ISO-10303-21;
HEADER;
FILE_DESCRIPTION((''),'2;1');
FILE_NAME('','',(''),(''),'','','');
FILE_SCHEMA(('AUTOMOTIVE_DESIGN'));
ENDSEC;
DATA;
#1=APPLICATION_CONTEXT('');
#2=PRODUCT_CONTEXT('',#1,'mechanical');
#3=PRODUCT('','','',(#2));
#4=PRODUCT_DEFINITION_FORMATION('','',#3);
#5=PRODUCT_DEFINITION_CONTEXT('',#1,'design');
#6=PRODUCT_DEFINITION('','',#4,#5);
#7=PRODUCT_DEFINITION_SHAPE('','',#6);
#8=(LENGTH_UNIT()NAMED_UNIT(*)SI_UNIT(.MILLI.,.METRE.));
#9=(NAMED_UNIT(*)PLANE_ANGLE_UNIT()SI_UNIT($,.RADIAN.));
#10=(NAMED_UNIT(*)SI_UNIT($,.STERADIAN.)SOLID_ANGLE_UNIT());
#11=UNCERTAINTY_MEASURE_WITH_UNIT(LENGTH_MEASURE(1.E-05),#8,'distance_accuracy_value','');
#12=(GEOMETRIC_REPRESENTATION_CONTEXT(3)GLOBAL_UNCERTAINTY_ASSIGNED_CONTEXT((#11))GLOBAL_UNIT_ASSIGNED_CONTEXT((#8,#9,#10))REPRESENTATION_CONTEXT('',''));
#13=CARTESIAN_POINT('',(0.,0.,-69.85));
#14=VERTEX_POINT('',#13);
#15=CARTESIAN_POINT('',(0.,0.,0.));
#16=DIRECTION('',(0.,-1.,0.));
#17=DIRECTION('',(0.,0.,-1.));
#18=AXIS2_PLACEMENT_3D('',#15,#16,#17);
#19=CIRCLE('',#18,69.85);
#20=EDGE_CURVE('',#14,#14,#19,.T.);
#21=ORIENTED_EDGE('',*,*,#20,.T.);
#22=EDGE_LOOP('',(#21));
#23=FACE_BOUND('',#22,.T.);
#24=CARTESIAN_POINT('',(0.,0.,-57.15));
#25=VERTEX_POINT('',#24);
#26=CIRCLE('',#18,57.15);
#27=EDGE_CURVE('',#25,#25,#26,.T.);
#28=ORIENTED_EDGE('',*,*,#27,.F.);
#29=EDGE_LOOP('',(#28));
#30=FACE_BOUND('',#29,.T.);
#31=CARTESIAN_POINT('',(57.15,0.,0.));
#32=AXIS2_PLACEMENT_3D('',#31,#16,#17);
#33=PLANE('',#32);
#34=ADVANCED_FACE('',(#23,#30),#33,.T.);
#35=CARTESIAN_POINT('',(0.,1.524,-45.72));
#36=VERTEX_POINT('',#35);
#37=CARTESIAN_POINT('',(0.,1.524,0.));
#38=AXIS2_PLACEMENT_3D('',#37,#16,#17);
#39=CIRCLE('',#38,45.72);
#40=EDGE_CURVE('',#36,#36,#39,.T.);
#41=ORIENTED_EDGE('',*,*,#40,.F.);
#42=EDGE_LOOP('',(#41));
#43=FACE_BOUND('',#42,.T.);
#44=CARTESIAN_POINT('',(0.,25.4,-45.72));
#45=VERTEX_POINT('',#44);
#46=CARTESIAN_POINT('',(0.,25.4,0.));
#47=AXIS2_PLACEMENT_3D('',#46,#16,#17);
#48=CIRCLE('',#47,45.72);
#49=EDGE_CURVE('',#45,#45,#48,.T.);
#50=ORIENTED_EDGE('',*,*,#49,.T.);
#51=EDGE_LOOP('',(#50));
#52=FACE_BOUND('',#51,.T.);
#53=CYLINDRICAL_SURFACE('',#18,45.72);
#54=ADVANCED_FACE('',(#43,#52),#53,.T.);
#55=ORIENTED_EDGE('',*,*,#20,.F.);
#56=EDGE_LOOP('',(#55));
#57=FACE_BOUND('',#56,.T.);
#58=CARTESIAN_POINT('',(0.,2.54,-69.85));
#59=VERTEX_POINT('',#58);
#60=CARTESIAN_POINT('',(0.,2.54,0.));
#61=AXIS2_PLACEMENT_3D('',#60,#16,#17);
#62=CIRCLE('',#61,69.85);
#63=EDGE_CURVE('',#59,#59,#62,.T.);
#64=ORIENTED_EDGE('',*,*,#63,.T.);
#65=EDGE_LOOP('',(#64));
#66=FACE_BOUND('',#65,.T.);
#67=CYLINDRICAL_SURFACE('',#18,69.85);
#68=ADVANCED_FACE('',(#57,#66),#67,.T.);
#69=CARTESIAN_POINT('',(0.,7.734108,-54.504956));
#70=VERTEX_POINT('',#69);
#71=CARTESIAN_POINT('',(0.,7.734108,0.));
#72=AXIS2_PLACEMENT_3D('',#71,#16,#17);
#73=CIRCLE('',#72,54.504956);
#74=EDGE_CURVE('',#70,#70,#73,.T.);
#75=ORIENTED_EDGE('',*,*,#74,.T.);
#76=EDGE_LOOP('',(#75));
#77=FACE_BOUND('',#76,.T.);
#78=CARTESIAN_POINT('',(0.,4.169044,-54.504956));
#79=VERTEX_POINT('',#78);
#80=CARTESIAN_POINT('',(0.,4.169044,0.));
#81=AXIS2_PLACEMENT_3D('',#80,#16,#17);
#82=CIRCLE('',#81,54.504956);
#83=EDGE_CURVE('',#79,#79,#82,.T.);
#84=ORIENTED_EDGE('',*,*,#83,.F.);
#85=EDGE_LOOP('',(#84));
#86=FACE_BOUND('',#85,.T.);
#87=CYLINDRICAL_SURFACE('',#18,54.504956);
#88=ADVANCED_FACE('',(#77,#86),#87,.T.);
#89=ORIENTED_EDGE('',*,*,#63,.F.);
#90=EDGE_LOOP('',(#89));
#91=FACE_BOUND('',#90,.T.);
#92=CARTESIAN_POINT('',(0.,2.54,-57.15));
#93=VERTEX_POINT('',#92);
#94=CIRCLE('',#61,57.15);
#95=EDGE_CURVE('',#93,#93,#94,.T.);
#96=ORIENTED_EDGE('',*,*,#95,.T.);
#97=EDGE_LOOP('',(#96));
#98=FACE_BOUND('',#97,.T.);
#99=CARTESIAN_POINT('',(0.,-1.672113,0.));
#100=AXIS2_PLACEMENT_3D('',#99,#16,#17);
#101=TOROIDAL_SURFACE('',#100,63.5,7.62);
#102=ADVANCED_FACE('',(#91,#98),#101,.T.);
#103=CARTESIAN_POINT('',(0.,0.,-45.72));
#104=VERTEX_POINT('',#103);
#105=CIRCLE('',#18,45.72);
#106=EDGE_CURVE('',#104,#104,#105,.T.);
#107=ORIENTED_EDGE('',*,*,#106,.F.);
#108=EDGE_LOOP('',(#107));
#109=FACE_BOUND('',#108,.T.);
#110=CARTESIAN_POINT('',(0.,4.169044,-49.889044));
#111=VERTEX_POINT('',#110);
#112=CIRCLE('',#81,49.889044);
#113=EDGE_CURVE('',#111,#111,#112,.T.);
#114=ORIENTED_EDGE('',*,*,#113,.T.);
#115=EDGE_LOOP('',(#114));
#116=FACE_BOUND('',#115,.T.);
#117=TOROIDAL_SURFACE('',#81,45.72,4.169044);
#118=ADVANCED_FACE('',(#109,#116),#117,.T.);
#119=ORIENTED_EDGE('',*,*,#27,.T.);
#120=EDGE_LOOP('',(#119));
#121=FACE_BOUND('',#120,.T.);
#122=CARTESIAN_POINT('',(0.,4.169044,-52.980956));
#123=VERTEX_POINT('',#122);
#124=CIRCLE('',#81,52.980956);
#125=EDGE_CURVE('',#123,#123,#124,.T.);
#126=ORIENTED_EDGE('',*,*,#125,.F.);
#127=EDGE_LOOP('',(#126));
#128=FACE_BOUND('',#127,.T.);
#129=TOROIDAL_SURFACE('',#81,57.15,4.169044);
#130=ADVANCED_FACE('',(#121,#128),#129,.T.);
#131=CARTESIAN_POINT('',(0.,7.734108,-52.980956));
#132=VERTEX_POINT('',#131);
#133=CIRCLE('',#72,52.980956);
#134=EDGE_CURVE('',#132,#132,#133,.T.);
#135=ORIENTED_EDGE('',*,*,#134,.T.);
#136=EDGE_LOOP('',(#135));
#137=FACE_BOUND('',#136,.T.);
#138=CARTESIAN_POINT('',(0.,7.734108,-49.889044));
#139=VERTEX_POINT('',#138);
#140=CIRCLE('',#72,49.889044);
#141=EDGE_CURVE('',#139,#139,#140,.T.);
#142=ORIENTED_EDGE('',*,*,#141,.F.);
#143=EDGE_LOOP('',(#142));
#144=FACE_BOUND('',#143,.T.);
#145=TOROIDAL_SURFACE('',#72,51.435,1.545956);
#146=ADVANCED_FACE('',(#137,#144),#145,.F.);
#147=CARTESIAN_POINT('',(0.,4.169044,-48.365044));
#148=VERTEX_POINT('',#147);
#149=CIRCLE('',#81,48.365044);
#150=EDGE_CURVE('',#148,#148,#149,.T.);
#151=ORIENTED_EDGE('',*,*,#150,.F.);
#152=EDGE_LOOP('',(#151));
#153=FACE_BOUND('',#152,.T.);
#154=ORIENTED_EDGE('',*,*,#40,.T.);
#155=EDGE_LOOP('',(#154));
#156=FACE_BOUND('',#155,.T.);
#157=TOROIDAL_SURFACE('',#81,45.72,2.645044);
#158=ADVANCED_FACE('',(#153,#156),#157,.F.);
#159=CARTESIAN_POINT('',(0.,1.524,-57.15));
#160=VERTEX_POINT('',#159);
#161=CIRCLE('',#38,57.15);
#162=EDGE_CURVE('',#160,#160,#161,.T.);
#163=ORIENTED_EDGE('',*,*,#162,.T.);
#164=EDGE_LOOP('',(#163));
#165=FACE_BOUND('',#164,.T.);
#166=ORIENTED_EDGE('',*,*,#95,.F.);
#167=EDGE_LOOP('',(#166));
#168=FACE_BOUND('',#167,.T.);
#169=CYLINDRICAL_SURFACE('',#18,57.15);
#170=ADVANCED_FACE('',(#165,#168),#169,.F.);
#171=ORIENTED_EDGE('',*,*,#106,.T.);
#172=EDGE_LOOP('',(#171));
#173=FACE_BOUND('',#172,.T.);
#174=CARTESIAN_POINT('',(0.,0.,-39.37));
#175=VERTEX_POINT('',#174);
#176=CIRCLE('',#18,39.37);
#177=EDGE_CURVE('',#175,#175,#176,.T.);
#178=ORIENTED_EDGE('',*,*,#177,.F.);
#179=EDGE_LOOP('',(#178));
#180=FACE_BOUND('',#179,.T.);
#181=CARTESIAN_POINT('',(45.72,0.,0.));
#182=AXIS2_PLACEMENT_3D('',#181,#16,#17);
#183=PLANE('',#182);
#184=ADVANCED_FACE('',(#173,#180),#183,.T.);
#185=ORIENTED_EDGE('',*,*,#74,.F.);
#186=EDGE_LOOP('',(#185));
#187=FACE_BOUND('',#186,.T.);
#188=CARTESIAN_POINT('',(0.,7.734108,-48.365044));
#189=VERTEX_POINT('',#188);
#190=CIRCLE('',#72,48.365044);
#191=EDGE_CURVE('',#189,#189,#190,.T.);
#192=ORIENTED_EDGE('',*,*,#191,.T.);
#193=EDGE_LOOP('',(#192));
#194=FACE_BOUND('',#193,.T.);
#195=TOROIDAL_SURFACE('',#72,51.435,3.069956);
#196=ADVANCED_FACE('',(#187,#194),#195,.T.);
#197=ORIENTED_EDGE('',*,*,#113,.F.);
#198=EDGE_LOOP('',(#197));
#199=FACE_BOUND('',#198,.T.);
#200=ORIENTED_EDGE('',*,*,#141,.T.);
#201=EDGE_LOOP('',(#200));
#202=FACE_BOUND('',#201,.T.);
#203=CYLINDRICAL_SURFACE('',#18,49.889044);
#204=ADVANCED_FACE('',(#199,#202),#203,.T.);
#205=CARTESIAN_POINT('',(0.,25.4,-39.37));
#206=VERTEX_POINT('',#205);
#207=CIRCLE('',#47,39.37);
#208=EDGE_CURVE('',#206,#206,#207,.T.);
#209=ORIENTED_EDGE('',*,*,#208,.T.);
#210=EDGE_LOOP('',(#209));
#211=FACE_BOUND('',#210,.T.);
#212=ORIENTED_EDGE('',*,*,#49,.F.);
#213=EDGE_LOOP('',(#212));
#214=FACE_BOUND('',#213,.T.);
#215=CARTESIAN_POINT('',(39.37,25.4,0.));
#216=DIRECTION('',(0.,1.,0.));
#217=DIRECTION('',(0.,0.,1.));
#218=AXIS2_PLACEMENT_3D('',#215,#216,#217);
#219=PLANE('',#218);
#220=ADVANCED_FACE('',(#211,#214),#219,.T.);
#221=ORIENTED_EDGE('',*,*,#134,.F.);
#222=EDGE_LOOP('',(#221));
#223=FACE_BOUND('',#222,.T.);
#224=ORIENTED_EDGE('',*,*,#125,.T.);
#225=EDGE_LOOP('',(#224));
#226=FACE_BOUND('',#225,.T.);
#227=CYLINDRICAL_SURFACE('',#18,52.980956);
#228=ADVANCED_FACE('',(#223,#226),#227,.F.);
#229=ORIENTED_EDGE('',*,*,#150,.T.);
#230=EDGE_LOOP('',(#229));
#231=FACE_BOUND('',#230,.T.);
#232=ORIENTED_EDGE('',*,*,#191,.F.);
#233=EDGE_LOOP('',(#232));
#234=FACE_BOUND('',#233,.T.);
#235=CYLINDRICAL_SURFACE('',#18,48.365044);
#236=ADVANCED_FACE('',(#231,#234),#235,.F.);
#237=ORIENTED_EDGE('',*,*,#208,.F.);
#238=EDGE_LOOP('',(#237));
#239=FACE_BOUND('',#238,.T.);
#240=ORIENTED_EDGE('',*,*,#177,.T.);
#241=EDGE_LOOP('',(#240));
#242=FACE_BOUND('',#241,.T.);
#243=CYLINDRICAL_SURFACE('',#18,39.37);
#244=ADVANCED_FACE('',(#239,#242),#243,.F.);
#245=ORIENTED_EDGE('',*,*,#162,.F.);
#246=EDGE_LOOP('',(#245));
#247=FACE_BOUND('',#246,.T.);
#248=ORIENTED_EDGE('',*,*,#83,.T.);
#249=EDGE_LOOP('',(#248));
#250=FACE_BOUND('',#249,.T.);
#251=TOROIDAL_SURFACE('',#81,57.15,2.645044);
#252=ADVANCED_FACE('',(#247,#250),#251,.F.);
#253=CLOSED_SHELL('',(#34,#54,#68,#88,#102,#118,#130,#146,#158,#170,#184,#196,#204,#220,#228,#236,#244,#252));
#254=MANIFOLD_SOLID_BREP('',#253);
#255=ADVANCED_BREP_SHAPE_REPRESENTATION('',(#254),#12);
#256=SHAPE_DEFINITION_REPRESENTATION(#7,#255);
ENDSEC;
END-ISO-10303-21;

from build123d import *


with BuildPart() as part:
    # Sketch1 → Revolve1 (revolve)
    with BuildSketch(Plane.XY, mode=Mode.PRIVATE) as revolve1_sk:
        with BuildLine():
            Line((57.15, 0), (69.85, 0))
            Line((69.85, 0), (69.85, 2.54))
            ThreePointArc((69.85, 2.54), (63.5, 5.947886516), (57.15, 2.54))
            Line((57.15, 2.54), (57.15, 1.524))
            ThreePointArc((57.15, 1.524), (55.2796717, 2.298715348), (54.504956353, 4.169043647))
            Line((54.504956353, 4.169043647), (54.504956353, 7.734107611))
            ThreePointArc((54.504956353, 7.734107611), (51.435, 10.804063964), (48.365043647, 7.734107611))
            Line((48.365043647, 7.734107611), (48.365043647, 4.169043647))
            ThreePointArc((48.365043647, 4.169043647), (47.5903283, 2.298715348), (45.72, 1.524))
            Line((45.72, 1.524), (45.72, 25.4))
            Line((45.72, 25.4), (39.37, 25.4))
            Line((39.37, 25.4), (39.37, 0))
            Line((39.37, 0), (45.72, 0))
            ThreePointArc((45.72, 0), (48.667959034, 1.221084613), (49.889043647, 4.169043647))
            Line((49.889043647, 4.169043647), (49.889043647, 7.734107611))
            ThreePointArc((49.889043647, 7.734107611), (51.435, 9.280063964), (52.980956353, 7.734107611))
            Line((52.980956353, 7.734107611), (52.980956353, 4.169043647))
            ThreePointArc((52.980956353, 4.169043647), (54.202040966, 1.221084613), (57.15, 0))
        make_face()
    revolve(revolve1_sk.sketch.rotate(Axis((0, 0, 0), (0, 1, 0)), 90), axis=Axis((0, 0, 0), (0, 1, 0)))


solid = part.part
